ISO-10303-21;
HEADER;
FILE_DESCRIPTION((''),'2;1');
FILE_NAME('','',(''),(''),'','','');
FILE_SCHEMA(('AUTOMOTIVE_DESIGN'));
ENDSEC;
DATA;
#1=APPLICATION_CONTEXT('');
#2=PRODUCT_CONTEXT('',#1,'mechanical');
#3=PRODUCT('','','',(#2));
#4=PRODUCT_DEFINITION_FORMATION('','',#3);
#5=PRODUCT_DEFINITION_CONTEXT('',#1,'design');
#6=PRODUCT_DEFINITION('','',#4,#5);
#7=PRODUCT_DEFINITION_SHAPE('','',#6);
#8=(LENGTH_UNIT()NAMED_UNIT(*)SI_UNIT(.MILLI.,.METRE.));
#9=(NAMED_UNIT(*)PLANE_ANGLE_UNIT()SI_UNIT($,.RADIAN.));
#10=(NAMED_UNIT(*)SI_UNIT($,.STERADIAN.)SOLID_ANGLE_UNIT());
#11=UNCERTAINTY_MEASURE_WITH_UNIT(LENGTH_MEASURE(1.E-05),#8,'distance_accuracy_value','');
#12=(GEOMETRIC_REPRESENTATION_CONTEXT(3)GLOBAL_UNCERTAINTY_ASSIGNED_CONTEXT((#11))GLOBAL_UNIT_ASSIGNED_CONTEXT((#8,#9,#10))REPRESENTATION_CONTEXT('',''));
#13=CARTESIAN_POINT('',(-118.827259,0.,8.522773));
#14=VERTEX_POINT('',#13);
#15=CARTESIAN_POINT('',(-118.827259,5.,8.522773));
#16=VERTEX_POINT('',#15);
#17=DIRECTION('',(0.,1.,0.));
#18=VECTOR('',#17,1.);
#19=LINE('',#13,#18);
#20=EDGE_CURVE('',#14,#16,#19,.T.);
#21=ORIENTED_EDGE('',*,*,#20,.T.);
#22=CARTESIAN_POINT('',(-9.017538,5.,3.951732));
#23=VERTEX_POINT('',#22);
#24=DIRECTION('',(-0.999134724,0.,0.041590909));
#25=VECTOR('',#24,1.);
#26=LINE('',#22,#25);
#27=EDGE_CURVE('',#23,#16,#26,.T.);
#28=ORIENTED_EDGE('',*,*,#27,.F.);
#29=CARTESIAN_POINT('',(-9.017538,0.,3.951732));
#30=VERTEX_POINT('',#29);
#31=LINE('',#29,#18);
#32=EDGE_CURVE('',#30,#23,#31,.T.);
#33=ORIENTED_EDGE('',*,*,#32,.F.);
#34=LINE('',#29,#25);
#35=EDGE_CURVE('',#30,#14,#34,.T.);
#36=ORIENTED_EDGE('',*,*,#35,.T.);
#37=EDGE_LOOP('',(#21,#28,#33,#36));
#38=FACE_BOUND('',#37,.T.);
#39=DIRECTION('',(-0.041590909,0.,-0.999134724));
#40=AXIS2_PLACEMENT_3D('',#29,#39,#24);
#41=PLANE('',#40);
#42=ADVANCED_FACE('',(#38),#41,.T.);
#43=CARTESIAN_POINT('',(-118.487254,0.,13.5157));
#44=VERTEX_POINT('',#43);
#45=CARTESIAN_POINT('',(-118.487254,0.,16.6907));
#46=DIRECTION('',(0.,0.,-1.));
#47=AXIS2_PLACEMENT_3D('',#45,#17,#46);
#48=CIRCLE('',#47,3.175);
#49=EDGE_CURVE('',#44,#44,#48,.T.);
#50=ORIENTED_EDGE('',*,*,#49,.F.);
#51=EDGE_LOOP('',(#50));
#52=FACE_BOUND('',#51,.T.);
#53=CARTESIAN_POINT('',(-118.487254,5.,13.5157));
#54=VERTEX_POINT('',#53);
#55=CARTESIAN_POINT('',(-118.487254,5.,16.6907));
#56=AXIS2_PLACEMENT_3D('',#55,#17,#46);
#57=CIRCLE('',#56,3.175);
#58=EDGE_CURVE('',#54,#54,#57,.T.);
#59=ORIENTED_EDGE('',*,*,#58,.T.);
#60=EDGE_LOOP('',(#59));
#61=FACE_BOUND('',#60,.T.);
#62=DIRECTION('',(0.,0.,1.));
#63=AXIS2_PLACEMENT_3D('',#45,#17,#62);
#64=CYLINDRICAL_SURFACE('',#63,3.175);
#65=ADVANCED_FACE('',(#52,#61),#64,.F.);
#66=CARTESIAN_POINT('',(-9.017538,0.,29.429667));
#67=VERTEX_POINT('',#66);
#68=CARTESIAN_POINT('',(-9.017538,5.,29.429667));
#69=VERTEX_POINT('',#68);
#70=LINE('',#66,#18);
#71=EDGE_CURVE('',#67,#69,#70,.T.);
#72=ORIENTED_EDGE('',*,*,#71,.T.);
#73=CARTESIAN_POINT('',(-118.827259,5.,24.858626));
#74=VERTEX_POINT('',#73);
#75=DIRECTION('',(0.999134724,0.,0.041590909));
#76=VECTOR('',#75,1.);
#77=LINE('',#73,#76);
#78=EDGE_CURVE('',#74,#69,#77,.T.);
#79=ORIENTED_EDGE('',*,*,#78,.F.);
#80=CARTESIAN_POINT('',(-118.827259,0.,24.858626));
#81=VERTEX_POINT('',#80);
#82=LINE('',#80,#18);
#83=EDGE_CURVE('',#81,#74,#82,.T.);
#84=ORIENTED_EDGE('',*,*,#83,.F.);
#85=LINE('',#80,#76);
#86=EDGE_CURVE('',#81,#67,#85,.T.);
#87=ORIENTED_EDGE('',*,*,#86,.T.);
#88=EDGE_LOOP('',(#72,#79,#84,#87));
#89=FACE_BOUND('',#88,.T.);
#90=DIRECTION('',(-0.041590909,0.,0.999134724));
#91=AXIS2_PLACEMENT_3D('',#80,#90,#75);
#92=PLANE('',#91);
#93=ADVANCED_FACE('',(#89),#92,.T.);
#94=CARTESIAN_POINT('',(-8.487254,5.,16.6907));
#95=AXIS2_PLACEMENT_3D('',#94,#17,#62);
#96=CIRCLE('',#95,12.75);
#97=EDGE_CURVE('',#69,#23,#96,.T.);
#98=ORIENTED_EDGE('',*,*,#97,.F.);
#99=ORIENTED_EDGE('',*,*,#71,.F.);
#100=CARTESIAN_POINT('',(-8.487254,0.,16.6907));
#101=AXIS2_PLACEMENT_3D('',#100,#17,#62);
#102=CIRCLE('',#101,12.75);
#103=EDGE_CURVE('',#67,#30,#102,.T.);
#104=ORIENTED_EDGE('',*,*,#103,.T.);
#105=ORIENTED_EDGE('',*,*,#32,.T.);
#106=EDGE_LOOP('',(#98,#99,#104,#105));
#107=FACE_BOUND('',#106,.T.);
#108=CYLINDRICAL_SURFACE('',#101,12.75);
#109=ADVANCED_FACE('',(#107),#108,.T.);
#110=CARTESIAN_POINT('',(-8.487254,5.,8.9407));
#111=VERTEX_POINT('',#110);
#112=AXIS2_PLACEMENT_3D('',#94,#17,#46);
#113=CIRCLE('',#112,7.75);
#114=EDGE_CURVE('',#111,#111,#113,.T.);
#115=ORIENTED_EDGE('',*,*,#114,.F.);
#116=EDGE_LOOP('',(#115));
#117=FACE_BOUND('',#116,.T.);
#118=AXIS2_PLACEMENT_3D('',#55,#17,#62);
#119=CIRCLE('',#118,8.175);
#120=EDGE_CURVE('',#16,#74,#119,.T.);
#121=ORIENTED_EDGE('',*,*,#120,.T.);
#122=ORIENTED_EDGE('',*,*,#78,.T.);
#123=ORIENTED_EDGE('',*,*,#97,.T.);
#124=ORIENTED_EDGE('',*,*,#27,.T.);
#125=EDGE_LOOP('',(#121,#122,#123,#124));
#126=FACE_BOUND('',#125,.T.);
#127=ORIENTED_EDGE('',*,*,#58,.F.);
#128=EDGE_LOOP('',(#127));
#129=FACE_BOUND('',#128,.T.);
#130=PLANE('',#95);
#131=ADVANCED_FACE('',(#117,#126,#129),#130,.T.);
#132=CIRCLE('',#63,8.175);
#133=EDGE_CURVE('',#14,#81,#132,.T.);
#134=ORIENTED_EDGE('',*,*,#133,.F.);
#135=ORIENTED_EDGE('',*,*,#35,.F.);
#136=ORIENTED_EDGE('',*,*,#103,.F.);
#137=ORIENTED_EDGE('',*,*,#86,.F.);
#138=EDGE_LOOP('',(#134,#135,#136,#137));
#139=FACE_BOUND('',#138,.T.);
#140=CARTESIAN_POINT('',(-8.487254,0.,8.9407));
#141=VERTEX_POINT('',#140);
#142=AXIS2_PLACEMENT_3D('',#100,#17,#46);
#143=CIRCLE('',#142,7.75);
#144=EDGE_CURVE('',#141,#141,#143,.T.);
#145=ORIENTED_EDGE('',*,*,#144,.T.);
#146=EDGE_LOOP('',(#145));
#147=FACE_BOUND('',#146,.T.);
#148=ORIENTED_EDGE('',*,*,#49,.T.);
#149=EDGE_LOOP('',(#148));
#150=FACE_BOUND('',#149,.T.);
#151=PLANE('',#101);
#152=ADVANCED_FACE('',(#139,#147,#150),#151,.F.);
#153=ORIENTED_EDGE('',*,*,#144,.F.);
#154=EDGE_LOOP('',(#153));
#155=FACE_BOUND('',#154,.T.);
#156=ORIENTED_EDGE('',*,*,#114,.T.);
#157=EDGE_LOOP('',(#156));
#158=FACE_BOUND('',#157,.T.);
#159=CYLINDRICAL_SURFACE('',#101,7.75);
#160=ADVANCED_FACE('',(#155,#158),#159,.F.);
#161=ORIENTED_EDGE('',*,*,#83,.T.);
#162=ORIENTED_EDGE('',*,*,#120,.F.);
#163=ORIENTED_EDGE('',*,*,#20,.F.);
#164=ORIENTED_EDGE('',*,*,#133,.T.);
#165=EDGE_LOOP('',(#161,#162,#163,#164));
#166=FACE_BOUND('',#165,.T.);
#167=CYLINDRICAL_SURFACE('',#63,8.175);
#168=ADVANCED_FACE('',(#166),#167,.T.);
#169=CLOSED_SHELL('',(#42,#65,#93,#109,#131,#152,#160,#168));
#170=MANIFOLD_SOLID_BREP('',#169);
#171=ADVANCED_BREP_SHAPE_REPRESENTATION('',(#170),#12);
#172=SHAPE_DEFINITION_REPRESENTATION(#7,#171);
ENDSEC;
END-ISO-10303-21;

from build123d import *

# Parameters (mm, degrees)
SKETCH1_R           = 3.175
SKETCH1_R_2         = 7.75
BOSS_EXTRUDE1_DEPTH = 5


with BuildPart() as part:
    # Sketch1 → Boss-Extrude1 (new body)
    with BuildSketch(Plane(origin=(0, 5, 0), x_dir=(1, 0, 0), z_dir=(0, 1, 0))):
        with BuildLine():
            Line((-9.017537719, -3.951732009), (-118.82725931, -8.522773371))
            ThreePointArc((-118.82725931, -8.522773371), (-126.662253628, -16.690699738), (-118.82725931, -24.858626105))
            Line((-118.82725931, -24.858626105), (-9.017537719, -29.429667466))
            ThreePointArc((-9.017537719, -29.429667466), (4.262746372, -16.690699738), (-9.017537719, -3.951732009))
        make_face()
        with Locations(Location((-118.487253628, -16.690699738, 0), (0, 0, 90))):
            Circle(SKETCH1_R, mode=Mode.SUBTRACT)
        with Locations(Location((-8.487253628, -16.690699738, 0), (0, 0, 90))):
            Circle(SKETCH1_R_2, mode=Mode.SUBTRACT)
    extrude(amount=-BOSS_EXTRUDE1_DEPTH)


solid = part.part
